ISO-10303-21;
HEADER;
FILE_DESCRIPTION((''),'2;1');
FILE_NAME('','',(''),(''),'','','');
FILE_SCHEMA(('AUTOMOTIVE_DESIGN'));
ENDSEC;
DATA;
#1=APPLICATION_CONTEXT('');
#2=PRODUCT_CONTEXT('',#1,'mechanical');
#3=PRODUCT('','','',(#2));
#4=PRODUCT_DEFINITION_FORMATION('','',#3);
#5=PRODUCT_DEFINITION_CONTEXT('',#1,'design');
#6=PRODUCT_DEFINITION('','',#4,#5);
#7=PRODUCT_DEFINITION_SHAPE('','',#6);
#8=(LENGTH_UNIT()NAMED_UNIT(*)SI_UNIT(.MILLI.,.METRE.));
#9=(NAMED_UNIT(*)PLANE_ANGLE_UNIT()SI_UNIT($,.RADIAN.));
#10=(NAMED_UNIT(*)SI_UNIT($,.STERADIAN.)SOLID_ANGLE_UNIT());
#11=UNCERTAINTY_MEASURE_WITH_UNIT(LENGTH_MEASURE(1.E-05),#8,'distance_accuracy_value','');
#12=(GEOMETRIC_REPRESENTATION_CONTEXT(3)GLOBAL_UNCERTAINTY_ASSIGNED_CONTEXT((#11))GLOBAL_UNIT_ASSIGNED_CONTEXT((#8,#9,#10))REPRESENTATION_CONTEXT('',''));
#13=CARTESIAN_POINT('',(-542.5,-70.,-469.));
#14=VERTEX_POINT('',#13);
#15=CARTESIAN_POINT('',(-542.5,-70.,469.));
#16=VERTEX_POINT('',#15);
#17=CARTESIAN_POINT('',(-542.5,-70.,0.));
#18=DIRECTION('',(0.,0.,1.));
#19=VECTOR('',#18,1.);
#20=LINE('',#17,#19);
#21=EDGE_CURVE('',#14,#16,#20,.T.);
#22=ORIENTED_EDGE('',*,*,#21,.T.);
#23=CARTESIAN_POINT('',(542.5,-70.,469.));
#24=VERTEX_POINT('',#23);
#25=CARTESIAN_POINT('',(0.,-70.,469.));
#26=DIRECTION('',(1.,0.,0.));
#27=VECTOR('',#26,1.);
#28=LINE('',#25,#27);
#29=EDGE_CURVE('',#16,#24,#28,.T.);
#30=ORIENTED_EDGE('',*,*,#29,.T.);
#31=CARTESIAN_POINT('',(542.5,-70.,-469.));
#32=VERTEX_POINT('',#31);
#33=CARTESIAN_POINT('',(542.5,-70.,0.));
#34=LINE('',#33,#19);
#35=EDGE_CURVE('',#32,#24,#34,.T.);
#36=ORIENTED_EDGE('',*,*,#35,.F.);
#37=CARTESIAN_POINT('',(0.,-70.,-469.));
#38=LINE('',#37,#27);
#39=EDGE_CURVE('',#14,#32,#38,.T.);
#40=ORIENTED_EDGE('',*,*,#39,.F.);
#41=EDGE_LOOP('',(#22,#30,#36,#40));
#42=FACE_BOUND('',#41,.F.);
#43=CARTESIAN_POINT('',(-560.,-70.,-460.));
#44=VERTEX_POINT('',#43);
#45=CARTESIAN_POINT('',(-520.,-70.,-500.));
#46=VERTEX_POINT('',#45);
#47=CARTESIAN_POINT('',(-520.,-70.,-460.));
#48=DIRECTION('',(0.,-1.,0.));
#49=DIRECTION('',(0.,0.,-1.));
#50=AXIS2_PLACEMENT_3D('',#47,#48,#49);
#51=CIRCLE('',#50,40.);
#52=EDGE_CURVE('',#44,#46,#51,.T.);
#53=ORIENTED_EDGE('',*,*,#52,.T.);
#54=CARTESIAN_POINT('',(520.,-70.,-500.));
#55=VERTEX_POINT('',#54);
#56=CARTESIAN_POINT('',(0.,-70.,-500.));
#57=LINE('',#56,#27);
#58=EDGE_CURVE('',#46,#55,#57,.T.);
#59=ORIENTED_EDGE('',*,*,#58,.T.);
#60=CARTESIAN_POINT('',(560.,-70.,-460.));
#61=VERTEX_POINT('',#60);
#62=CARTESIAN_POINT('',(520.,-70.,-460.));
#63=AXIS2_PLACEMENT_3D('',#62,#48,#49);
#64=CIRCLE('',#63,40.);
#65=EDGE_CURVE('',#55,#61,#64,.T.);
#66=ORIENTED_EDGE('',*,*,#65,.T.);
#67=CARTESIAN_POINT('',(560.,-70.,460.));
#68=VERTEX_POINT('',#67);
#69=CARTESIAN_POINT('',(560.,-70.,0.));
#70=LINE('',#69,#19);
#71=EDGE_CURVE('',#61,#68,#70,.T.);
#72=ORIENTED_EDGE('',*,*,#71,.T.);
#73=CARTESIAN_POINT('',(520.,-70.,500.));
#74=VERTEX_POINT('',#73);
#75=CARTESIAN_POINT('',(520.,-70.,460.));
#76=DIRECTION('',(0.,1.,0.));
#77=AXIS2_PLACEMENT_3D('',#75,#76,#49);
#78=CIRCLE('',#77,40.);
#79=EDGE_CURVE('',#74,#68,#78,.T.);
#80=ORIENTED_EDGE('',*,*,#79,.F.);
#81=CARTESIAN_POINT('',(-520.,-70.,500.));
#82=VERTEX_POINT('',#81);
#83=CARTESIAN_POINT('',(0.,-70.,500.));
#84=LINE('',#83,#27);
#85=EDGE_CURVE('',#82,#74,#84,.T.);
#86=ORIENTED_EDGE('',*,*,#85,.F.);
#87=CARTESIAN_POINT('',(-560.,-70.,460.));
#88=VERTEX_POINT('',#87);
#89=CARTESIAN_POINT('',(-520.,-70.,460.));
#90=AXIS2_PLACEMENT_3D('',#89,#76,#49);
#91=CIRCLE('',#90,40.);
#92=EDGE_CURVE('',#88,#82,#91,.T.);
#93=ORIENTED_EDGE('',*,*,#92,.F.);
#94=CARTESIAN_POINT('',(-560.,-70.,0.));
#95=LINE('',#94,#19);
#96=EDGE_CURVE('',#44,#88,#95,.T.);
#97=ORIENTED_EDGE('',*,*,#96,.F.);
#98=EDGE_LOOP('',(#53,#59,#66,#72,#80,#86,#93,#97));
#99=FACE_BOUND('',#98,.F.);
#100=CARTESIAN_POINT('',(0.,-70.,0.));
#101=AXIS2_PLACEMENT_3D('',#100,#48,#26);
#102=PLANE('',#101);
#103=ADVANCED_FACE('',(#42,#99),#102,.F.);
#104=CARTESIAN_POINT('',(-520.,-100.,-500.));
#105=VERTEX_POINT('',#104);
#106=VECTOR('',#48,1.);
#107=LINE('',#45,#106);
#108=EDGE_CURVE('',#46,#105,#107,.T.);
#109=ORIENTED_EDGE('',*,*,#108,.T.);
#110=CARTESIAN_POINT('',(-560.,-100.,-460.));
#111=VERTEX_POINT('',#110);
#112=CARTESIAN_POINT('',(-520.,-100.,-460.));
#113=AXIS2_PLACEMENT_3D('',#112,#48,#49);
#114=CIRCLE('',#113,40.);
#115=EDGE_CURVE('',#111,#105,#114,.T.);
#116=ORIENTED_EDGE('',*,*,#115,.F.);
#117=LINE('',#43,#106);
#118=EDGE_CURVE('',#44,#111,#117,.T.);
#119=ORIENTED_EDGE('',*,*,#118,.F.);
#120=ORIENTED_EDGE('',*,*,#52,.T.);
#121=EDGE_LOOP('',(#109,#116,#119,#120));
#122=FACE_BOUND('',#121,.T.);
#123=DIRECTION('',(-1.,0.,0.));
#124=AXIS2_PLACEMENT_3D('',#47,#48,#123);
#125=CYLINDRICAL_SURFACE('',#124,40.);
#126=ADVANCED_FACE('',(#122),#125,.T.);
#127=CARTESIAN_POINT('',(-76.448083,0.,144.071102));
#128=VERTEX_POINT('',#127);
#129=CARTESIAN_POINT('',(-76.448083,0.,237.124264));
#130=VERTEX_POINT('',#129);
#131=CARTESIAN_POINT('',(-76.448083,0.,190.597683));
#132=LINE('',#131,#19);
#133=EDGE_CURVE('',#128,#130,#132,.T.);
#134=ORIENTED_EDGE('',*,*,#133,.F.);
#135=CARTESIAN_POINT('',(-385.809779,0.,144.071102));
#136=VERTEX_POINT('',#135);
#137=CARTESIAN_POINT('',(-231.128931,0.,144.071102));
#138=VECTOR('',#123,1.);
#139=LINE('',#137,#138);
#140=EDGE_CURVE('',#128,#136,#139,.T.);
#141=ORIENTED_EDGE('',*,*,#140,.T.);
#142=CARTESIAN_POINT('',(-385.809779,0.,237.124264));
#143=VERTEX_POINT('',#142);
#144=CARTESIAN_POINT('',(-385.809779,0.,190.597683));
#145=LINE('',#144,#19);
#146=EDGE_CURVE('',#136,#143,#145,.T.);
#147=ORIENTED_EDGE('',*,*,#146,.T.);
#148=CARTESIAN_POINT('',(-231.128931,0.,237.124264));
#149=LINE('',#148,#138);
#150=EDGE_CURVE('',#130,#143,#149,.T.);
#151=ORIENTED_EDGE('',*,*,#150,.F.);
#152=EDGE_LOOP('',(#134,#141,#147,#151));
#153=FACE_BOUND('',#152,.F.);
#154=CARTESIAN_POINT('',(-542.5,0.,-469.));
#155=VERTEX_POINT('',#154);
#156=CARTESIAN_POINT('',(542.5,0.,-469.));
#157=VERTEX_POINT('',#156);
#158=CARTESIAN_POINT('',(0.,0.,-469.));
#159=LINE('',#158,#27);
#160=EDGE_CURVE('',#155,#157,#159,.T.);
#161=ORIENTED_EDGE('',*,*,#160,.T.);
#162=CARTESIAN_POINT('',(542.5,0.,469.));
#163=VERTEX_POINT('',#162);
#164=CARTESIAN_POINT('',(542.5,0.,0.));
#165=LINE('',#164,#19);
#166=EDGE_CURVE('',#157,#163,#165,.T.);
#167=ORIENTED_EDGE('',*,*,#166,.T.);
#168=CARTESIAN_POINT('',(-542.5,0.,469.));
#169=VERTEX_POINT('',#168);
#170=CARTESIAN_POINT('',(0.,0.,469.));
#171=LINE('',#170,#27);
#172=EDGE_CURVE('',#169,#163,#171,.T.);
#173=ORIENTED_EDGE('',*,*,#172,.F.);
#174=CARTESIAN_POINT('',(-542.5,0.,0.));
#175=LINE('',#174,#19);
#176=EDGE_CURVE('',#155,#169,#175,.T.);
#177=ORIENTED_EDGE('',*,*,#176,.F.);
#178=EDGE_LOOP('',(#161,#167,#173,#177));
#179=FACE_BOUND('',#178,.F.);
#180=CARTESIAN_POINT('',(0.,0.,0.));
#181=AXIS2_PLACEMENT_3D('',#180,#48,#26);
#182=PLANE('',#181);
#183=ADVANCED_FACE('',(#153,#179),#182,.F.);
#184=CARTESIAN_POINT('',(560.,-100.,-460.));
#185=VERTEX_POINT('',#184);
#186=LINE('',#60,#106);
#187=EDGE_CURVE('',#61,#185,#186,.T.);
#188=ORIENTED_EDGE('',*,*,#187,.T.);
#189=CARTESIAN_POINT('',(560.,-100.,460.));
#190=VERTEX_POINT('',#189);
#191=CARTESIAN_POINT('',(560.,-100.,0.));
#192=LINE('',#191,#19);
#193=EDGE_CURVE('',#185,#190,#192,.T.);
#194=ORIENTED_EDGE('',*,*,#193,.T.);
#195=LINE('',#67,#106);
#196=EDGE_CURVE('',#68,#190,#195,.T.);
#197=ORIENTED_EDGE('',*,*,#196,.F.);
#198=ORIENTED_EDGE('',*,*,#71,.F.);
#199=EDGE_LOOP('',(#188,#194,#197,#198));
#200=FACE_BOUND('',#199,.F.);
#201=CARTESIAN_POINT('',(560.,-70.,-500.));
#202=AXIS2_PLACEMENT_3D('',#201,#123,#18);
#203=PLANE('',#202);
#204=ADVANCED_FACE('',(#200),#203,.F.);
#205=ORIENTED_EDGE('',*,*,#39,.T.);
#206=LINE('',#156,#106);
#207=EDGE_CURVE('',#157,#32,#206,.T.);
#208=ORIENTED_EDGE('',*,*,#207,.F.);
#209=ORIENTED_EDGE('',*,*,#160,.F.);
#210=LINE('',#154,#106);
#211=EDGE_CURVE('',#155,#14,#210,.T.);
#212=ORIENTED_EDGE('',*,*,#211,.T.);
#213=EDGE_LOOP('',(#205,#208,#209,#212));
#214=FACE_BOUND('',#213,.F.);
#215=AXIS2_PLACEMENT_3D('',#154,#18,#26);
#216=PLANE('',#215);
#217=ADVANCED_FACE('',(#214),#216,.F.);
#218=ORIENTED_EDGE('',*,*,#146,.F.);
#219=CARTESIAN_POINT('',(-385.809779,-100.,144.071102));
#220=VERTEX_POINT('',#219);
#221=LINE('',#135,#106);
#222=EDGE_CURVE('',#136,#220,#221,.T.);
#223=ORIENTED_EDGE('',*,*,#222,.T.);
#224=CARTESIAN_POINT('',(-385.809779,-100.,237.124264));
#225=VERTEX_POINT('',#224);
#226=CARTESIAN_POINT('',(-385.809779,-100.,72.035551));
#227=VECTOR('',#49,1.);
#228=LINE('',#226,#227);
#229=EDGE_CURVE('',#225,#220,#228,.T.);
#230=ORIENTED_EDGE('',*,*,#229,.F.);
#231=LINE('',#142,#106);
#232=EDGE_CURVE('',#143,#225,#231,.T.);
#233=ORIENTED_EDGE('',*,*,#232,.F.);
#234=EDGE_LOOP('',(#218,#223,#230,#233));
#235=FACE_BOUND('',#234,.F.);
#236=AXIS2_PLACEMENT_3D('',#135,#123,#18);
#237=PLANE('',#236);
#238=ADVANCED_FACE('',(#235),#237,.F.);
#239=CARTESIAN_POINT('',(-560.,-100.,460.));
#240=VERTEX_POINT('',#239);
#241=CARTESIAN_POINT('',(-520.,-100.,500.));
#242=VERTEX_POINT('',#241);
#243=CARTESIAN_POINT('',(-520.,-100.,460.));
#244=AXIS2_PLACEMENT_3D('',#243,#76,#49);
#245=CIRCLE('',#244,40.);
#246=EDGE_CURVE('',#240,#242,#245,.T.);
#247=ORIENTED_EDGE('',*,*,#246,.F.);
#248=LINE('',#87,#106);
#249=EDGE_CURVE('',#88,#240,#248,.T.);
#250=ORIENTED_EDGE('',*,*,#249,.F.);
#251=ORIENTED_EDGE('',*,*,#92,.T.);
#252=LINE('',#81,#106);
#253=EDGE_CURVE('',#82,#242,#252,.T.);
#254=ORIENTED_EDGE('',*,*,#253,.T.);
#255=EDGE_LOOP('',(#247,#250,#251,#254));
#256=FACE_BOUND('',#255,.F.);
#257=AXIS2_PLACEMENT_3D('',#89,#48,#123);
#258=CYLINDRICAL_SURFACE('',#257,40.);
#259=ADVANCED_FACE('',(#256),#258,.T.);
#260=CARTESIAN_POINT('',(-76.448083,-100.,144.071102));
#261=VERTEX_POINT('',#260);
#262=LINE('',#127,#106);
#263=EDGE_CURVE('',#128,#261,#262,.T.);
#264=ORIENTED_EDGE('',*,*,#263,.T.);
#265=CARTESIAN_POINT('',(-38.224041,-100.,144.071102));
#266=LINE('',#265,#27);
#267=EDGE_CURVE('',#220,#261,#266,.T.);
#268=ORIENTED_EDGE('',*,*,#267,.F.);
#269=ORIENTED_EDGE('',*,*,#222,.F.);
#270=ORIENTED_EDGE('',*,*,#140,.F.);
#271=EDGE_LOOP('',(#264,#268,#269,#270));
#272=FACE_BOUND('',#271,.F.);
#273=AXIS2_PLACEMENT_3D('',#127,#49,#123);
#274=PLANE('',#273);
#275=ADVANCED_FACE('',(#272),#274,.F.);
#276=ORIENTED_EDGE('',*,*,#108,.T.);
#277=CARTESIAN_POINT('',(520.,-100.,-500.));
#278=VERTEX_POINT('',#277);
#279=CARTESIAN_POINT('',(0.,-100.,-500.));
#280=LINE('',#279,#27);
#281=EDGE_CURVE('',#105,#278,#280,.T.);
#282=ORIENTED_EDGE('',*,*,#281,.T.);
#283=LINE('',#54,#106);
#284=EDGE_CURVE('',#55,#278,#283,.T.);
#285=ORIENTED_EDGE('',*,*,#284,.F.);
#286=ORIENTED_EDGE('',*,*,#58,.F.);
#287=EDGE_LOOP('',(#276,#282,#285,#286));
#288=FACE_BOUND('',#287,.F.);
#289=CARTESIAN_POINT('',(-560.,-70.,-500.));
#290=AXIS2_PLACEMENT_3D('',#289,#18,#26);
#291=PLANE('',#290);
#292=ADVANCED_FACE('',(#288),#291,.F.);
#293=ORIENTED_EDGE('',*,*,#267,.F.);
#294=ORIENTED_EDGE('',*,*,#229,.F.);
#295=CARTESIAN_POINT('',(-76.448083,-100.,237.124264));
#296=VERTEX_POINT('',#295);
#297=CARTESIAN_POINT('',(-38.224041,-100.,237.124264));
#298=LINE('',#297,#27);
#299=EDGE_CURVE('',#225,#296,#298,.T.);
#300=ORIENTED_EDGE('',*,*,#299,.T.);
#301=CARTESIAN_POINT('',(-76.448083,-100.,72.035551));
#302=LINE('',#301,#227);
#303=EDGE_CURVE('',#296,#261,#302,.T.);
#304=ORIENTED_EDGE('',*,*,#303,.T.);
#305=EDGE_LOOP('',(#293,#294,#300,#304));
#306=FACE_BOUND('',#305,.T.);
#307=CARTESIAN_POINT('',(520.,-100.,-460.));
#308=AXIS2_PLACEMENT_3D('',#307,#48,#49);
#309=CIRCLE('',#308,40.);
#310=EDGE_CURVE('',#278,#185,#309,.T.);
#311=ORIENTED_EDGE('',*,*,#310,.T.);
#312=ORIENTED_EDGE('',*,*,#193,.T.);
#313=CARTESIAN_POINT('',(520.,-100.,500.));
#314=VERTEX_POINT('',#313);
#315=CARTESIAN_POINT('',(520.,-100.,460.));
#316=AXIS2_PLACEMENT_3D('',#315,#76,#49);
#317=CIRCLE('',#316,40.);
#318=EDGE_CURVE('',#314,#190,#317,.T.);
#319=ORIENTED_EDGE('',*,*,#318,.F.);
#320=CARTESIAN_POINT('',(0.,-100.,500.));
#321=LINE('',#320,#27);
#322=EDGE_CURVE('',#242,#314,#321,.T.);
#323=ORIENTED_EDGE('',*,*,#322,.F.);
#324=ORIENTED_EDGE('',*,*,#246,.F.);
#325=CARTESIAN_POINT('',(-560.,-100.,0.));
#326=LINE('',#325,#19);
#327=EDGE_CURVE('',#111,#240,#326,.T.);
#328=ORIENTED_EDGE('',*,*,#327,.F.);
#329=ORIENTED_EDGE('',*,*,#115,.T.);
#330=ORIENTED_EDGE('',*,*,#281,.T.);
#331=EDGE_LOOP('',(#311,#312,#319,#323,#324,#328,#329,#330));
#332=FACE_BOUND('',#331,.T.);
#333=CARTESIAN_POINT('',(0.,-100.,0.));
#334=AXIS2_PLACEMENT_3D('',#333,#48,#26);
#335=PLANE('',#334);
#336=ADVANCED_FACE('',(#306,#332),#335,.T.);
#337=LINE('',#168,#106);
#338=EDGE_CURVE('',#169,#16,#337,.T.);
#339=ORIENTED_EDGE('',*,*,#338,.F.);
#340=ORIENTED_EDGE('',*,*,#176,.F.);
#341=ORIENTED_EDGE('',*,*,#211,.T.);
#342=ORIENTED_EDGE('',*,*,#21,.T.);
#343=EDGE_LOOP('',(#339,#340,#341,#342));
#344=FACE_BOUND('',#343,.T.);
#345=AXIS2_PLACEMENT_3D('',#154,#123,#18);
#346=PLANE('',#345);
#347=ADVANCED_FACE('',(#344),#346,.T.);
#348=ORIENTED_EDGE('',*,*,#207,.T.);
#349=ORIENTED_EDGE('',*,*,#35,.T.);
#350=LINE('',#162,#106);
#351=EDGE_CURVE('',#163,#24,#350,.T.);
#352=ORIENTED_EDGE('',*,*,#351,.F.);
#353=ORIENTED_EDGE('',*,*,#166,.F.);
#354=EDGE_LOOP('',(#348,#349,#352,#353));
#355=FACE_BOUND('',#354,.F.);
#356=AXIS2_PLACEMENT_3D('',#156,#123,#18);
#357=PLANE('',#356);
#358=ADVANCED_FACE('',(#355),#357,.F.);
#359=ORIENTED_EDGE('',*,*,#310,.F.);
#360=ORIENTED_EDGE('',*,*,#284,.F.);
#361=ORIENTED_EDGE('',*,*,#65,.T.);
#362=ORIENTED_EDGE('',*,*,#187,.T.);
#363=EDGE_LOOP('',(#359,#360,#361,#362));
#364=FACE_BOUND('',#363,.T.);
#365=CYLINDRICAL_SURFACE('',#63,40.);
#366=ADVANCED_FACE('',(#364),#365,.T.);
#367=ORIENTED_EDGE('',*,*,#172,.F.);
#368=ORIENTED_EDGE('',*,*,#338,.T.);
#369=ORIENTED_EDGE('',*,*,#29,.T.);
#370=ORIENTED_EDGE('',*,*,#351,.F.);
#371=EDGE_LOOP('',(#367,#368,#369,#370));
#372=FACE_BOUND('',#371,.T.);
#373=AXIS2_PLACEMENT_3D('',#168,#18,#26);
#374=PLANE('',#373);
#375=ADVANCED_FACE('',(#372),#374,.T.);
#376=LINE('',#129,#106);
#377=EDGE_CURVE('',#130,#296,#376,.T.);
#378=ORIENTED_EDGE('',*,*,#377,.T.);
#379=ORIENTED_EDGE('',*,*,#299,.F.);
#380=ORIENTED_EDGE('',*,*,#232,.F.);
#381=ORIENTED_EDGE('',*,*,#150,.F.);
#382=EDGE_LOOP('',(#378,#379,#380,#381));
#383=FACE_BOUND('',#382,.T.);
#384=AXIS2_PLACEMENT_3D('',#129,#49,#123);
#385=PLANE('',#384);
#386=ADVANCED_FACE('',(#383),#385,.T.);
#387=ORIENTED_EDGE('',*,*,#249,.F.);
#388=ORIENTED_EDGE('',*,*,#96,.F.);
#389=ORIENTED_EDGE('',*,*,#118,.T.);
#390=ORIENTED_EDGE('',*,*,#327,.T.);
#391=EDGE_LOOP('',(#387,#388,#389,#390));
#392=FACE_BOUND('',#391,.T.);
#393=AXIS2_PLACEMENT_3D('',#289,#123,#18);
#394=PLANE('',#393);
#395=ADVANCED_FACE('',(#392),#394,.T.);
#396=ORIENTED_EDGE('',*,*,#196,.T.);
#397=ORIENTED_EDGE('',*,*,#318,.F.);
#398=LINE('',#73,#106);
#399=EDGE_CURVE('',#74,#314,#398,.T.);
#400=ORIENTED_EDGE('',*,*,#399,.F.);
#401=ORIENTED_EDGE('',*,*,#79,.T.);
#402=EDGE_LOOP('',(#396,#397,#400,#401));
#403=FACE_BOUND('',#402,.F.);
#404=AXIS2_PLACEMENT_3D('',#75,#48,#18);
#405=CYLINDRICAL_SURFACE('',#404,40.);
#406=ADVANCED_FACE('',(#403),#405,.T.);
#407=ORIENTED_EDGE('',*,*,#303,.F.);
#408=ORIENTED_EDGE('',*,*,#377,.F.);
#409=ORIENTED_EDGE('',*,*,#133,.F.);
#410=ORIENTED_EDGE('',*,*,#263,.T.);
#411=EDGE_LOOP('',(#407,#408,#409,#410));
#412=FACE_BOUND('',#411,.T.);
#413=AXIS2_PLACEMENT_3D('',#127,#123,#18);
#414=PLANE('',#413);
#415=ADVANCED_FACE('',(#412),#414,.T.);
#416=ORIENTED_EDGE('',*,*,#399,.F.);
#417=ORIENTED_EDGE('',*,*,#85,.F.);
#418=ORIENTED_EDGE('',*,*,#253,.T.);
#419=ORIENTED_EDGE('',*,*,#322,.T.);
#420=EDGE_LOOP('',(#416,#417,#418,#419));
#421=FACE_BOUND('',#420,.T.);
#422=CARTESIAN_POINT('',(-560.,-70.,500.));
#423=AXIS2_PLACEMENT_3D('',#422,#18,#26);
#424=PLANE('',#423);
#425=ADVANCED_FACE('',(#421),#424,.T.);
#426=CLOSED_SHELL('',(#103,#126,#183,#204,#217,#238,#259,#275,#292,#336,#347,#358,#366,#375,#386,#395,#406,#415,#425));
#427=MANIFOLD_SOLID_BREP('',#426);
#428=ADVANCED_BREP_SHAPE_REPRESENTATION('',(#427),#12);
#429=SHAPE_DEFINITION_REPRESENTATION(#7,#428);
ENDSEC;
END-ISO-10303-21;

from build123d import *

# Parameters (mm, degrees)
F0_W     = 1085
F0_H     = 938
F1_DEPTH = 70
F2_W     = 1120
F2_H     = 1000
F2_W_2   = 1085
F2_H_2   = 938
F3_DEPTH = 30
F4_W     = 309.3616962433
F4_H     = 93.0531620979
F5_DEPTH = 300
F6_R     = 40


with BuildPart() as f1:
    # F0 (on Front) → F1 (new body)
    with BuildSketch(Plane.XZ):
        Rectangle(F0_W, F0_H)
    extrude(amount=F1_DEPTH)

    # F2 (on face) → F3 (join)
    with BuildSketch(Plane.XZ.offset(70)):
        Rectangle(F2_W, F2_H)
        Rectangle(F2_W_2, F2_H_2, mode=Mode.SUBTRACT)
        Rectangle(F2_W_2, F2_H_2)
    extrude(amount=F3_DEPTH)

    # F4 (on face) → F5 (cut)
    with BuildSketch(Plane(origin=(0, 0, 0), x_dir=(-1, 0, 0), z_dir=(0, 1, 0))):
        with Locations((231.1289310455, 190.5976831913)):
            Rectangle(F4_W, F4_H)
    extrude(amount=-F5_DEPTH, mode=Mode.SUBTRACT)

    # F6
    f6_edges = [f1.edges().sort_by_distance(p)[0] for p in [
        (-560, -85, 500),
        (560, -85, 500),
        (560, -85, -500),
        (-560, -85, -500),
    ]]
    fillet(f6_edges, radius=F6_R)


solid = f1.part
